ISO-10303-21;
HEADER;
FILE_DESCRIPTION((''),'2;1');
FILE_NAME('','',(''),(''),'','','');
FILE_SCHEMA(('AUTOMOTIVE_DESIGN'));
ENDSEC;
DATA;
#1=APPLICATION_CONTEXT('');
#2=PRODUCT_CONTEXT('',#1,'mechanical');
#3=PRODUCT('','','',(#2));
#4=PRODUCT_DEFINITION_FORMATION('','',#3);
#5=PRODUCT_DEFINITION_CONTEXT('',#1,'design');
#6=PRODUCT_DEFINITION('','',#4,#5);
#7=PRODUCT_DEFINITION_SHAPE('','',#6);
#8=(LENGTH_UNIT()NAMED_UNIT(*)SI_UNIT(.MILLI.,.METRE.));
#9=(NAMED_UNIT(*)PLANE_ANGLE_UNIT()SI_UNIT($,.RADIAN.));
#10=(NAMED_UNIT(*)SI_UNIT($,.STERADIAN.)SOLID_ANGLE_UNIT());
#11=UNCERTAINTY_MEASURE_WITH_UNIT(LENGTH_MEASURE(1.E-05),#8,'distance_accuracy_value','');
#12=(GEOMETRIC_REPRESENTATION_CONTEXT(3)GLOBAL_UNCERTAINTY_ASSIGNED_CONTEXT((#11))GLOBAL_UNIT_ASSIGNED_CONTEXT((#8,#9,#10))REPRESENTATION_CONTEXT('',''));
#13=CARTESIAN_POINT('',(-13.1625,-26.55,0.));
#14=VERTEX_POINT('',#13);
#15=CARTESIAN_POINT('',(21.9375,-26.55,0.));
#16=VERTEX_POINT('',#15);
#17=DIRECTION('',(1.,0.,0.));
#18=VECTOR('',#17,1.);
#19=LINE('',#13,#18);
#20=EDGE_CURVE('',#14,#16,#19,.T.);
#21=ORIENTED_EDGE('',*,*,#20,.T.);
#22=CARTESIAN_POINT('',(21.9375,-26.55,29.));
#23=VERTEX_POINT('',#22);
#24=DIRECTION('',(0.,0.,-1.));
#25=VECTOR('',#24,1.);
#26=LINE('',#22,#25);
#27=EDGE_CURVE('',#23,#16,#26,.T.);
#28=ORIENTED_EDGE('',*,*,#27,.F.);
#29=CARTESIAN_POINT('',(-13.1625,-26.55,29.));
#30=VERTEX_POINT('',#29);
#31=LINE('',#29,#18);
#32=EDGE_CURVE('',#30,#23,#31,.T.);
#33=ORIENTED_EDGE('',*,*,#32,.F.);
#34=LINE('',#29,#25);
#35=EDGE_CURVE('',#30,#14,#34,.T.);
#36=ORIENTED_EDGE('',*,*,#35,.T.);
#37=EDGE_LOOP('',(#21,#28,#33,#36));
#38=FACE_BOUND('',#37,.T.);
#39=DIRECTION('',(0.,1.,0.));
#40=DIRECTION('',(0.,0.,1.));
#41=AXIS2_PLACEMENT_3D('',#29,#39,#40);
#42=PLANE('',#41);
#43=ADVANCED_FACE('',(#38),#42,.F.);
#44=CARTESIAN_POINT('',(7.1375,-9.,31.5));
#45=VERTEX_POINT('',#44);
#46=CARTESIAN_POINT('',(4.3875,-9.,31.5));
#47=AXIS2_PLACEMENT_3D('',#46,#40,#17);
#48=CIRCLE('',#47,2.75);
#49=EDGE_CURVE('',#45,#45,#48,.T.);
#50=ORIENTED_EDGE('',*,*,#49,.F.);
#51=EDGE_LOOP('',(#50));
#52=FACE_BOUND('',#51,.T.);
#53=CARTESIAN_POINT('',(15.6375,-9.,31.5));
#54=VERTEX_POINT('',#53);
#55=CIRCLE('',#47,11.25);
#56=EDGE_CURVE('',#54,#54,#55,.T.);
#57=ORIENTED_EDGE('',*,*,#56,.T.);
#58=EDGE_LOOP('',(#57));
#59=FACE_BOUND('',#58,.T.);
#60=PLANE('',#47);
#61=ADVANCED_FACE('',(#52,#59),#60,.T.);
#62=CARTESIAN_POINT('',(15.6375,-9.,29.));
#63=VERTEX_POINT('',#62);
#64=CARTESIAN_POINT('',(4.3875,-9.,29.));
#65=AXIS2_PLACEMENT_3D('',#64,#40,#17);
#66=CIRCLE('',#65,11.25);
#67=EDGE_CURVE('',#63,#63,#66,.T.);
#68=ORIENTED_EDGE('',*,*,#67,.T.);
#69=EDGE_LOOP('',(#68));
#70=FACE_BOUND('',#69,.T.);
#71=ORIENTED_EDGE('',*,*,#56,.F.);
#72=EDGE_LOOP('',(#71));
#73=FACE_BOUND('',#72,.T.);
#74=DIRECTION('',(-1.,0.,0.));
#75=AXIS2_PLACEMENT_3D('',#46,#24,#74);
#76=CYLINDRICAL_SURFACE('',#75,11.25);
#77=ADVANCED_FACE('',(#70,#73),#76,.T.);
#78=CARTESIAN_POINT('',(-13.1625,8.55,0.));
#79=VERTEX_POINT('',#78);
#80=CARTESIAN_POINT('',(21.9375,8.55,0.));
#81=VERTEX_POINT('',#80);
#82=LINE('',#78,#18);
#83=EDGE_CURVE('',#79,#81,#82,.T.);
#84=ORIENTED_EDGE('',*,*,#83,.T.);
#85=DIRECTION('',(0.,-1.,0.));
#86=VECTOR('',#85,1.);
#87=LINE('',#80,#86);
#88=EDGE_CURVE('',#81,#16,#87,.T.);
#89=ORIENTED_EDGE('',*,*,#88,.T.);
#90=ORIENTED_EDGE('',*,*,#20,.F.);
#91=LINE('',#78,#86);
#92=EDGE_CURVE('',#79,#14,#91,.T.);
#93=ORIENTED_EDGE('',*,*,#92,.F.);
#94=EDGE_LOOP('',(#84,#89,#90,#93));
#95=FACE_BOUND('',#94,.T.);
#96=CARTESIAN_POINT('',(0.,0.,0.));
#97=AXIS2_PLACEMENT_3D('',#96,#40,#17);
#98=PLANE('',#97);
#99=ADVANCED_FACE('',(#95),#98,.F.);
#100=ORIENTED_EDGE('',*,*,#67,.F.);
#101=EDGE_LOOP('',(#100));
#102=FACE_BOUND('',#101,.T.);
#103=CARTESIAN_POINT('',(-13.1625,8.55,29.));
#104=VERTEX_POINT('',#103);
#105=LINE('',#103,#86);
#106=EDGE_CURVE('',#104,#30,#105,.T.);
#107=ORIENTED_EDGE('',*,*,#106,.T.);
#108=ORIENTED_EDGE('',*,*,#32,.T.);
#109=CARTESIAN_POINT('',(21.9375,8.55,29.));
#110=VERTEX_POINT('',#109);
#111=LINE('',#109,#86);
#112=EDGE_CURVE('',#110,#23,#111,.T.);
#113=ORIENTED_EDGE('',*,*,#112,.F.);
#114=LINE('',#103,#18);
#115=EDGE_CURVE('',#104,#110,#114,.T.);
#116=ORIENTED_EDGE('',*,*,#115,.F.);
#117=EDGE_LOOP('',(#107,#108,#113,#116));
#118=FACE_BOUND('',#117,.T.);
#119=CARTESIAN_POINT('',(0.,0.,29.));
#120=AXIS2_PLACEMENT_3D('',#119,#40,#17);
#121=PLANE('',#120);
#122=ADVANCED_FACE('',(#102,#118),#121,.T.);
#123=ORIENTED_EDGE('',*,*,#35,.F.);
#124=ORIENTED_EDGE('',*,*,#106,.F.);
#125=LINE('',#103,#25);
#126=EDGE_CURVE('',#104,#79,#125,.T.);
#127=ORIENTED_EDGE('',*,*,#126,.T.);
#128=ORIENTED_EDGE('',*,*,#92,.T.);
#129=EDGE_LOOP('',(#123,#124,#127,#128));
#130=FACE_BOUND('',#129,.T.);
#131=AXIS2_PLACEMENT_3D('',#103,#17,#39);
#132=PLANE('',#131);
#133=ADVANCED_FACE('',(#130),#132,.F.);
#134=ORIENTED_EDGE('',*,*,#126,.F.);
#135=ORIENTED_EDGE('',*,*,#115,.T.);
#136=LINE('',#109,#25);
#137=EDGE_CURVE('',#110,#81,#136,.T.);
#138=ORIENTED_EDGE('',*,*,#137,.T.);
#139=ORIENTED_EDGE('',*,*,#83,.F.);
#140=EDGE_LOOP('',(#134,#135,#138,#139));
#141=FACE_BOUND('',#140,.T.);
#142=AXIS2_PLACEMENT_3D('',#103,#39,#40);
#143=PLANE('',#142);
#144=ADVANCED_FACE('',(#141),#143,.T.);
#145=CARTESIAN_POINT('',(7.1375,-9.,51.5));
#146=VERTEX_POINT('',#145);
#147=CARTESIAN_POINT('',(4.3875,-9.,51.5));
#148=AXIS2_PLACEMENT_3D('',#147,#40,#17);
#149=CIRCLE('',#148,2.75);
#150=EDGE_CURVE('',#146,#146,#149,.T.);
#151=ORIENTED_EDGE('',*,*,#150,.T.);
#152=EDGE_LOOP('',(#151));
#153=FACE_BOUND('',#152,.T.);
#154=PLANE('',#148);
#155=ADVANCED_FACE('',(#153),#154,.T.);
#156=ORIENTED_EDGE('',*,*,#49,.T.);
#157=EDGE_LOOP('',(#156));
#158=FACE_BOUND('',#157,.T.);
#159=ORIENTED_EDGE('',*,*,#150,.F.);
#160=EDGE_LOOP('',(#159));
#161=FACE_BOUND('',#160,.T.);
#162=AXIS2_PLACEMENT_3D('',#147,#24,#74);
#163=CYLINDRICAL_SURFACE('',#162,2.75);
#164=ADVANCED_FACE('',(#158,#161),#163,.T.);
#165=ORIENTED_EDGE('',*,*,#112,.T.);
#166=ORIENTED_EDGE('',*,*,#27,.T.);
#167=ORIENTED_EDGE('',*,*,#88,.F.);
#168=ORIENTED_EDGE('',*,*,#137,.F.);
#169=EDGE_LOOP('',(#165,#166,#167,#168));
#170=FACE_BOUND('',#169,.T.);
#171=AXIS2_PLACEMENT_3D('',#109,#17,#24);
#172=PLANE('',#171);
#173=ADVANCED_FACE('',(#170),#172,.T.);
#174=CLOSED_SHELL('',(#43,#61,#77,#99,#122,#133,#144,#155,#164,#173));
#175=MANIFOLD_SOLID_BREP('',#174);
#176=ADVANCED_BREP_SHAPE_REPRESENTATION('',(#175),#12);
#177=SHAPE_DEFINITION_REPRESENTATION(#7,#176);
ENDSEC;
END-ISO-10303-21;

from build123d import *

# Parameters (mm, degrees)
SKETCH1_W           = 35.1
SKETCH1_H           = 35.1
BOSS_EXTRUDE1_DEPTH = 29
SKETCH2_R           = 11.25
BOSS_EXTRUDE2_DEPTH = 2.5
SKETCH3_R           = 2.75
BOSS_EXTRUDE3_DEPTH = 20


with BuildPart() as part:
    # Sketch1 → Boss-Extrude1 (new body)
    with BuildSketch(Plane.XY):
        with Locations((4.3875, -9)):
            Rectangle(SKETCH1_W, SKETCH1_H)
    extrude(amount=BOSS_EXTRUDE1_DEPTH)

    # Sketch2 → Boss-Extrude2 (add)
    with BuildSketch(Plane.XY.offset(29)):
        with Locations((4.3875, -9)):
            Circle(SKETCH2_R)
    extrude(amount=BOSS_EXTRUDE2_DEPTH)

    # Sketch3 → Boss-Extrude3 (add)
    with BuildSketch(Plane.XY.offset(31.5)):
        with Locations((4.3875, -9)):
            Circle(SKETCH3_R)
    extrude(amount=BOSS_EXTRUDE3_DEPTH)


solid = part.part
